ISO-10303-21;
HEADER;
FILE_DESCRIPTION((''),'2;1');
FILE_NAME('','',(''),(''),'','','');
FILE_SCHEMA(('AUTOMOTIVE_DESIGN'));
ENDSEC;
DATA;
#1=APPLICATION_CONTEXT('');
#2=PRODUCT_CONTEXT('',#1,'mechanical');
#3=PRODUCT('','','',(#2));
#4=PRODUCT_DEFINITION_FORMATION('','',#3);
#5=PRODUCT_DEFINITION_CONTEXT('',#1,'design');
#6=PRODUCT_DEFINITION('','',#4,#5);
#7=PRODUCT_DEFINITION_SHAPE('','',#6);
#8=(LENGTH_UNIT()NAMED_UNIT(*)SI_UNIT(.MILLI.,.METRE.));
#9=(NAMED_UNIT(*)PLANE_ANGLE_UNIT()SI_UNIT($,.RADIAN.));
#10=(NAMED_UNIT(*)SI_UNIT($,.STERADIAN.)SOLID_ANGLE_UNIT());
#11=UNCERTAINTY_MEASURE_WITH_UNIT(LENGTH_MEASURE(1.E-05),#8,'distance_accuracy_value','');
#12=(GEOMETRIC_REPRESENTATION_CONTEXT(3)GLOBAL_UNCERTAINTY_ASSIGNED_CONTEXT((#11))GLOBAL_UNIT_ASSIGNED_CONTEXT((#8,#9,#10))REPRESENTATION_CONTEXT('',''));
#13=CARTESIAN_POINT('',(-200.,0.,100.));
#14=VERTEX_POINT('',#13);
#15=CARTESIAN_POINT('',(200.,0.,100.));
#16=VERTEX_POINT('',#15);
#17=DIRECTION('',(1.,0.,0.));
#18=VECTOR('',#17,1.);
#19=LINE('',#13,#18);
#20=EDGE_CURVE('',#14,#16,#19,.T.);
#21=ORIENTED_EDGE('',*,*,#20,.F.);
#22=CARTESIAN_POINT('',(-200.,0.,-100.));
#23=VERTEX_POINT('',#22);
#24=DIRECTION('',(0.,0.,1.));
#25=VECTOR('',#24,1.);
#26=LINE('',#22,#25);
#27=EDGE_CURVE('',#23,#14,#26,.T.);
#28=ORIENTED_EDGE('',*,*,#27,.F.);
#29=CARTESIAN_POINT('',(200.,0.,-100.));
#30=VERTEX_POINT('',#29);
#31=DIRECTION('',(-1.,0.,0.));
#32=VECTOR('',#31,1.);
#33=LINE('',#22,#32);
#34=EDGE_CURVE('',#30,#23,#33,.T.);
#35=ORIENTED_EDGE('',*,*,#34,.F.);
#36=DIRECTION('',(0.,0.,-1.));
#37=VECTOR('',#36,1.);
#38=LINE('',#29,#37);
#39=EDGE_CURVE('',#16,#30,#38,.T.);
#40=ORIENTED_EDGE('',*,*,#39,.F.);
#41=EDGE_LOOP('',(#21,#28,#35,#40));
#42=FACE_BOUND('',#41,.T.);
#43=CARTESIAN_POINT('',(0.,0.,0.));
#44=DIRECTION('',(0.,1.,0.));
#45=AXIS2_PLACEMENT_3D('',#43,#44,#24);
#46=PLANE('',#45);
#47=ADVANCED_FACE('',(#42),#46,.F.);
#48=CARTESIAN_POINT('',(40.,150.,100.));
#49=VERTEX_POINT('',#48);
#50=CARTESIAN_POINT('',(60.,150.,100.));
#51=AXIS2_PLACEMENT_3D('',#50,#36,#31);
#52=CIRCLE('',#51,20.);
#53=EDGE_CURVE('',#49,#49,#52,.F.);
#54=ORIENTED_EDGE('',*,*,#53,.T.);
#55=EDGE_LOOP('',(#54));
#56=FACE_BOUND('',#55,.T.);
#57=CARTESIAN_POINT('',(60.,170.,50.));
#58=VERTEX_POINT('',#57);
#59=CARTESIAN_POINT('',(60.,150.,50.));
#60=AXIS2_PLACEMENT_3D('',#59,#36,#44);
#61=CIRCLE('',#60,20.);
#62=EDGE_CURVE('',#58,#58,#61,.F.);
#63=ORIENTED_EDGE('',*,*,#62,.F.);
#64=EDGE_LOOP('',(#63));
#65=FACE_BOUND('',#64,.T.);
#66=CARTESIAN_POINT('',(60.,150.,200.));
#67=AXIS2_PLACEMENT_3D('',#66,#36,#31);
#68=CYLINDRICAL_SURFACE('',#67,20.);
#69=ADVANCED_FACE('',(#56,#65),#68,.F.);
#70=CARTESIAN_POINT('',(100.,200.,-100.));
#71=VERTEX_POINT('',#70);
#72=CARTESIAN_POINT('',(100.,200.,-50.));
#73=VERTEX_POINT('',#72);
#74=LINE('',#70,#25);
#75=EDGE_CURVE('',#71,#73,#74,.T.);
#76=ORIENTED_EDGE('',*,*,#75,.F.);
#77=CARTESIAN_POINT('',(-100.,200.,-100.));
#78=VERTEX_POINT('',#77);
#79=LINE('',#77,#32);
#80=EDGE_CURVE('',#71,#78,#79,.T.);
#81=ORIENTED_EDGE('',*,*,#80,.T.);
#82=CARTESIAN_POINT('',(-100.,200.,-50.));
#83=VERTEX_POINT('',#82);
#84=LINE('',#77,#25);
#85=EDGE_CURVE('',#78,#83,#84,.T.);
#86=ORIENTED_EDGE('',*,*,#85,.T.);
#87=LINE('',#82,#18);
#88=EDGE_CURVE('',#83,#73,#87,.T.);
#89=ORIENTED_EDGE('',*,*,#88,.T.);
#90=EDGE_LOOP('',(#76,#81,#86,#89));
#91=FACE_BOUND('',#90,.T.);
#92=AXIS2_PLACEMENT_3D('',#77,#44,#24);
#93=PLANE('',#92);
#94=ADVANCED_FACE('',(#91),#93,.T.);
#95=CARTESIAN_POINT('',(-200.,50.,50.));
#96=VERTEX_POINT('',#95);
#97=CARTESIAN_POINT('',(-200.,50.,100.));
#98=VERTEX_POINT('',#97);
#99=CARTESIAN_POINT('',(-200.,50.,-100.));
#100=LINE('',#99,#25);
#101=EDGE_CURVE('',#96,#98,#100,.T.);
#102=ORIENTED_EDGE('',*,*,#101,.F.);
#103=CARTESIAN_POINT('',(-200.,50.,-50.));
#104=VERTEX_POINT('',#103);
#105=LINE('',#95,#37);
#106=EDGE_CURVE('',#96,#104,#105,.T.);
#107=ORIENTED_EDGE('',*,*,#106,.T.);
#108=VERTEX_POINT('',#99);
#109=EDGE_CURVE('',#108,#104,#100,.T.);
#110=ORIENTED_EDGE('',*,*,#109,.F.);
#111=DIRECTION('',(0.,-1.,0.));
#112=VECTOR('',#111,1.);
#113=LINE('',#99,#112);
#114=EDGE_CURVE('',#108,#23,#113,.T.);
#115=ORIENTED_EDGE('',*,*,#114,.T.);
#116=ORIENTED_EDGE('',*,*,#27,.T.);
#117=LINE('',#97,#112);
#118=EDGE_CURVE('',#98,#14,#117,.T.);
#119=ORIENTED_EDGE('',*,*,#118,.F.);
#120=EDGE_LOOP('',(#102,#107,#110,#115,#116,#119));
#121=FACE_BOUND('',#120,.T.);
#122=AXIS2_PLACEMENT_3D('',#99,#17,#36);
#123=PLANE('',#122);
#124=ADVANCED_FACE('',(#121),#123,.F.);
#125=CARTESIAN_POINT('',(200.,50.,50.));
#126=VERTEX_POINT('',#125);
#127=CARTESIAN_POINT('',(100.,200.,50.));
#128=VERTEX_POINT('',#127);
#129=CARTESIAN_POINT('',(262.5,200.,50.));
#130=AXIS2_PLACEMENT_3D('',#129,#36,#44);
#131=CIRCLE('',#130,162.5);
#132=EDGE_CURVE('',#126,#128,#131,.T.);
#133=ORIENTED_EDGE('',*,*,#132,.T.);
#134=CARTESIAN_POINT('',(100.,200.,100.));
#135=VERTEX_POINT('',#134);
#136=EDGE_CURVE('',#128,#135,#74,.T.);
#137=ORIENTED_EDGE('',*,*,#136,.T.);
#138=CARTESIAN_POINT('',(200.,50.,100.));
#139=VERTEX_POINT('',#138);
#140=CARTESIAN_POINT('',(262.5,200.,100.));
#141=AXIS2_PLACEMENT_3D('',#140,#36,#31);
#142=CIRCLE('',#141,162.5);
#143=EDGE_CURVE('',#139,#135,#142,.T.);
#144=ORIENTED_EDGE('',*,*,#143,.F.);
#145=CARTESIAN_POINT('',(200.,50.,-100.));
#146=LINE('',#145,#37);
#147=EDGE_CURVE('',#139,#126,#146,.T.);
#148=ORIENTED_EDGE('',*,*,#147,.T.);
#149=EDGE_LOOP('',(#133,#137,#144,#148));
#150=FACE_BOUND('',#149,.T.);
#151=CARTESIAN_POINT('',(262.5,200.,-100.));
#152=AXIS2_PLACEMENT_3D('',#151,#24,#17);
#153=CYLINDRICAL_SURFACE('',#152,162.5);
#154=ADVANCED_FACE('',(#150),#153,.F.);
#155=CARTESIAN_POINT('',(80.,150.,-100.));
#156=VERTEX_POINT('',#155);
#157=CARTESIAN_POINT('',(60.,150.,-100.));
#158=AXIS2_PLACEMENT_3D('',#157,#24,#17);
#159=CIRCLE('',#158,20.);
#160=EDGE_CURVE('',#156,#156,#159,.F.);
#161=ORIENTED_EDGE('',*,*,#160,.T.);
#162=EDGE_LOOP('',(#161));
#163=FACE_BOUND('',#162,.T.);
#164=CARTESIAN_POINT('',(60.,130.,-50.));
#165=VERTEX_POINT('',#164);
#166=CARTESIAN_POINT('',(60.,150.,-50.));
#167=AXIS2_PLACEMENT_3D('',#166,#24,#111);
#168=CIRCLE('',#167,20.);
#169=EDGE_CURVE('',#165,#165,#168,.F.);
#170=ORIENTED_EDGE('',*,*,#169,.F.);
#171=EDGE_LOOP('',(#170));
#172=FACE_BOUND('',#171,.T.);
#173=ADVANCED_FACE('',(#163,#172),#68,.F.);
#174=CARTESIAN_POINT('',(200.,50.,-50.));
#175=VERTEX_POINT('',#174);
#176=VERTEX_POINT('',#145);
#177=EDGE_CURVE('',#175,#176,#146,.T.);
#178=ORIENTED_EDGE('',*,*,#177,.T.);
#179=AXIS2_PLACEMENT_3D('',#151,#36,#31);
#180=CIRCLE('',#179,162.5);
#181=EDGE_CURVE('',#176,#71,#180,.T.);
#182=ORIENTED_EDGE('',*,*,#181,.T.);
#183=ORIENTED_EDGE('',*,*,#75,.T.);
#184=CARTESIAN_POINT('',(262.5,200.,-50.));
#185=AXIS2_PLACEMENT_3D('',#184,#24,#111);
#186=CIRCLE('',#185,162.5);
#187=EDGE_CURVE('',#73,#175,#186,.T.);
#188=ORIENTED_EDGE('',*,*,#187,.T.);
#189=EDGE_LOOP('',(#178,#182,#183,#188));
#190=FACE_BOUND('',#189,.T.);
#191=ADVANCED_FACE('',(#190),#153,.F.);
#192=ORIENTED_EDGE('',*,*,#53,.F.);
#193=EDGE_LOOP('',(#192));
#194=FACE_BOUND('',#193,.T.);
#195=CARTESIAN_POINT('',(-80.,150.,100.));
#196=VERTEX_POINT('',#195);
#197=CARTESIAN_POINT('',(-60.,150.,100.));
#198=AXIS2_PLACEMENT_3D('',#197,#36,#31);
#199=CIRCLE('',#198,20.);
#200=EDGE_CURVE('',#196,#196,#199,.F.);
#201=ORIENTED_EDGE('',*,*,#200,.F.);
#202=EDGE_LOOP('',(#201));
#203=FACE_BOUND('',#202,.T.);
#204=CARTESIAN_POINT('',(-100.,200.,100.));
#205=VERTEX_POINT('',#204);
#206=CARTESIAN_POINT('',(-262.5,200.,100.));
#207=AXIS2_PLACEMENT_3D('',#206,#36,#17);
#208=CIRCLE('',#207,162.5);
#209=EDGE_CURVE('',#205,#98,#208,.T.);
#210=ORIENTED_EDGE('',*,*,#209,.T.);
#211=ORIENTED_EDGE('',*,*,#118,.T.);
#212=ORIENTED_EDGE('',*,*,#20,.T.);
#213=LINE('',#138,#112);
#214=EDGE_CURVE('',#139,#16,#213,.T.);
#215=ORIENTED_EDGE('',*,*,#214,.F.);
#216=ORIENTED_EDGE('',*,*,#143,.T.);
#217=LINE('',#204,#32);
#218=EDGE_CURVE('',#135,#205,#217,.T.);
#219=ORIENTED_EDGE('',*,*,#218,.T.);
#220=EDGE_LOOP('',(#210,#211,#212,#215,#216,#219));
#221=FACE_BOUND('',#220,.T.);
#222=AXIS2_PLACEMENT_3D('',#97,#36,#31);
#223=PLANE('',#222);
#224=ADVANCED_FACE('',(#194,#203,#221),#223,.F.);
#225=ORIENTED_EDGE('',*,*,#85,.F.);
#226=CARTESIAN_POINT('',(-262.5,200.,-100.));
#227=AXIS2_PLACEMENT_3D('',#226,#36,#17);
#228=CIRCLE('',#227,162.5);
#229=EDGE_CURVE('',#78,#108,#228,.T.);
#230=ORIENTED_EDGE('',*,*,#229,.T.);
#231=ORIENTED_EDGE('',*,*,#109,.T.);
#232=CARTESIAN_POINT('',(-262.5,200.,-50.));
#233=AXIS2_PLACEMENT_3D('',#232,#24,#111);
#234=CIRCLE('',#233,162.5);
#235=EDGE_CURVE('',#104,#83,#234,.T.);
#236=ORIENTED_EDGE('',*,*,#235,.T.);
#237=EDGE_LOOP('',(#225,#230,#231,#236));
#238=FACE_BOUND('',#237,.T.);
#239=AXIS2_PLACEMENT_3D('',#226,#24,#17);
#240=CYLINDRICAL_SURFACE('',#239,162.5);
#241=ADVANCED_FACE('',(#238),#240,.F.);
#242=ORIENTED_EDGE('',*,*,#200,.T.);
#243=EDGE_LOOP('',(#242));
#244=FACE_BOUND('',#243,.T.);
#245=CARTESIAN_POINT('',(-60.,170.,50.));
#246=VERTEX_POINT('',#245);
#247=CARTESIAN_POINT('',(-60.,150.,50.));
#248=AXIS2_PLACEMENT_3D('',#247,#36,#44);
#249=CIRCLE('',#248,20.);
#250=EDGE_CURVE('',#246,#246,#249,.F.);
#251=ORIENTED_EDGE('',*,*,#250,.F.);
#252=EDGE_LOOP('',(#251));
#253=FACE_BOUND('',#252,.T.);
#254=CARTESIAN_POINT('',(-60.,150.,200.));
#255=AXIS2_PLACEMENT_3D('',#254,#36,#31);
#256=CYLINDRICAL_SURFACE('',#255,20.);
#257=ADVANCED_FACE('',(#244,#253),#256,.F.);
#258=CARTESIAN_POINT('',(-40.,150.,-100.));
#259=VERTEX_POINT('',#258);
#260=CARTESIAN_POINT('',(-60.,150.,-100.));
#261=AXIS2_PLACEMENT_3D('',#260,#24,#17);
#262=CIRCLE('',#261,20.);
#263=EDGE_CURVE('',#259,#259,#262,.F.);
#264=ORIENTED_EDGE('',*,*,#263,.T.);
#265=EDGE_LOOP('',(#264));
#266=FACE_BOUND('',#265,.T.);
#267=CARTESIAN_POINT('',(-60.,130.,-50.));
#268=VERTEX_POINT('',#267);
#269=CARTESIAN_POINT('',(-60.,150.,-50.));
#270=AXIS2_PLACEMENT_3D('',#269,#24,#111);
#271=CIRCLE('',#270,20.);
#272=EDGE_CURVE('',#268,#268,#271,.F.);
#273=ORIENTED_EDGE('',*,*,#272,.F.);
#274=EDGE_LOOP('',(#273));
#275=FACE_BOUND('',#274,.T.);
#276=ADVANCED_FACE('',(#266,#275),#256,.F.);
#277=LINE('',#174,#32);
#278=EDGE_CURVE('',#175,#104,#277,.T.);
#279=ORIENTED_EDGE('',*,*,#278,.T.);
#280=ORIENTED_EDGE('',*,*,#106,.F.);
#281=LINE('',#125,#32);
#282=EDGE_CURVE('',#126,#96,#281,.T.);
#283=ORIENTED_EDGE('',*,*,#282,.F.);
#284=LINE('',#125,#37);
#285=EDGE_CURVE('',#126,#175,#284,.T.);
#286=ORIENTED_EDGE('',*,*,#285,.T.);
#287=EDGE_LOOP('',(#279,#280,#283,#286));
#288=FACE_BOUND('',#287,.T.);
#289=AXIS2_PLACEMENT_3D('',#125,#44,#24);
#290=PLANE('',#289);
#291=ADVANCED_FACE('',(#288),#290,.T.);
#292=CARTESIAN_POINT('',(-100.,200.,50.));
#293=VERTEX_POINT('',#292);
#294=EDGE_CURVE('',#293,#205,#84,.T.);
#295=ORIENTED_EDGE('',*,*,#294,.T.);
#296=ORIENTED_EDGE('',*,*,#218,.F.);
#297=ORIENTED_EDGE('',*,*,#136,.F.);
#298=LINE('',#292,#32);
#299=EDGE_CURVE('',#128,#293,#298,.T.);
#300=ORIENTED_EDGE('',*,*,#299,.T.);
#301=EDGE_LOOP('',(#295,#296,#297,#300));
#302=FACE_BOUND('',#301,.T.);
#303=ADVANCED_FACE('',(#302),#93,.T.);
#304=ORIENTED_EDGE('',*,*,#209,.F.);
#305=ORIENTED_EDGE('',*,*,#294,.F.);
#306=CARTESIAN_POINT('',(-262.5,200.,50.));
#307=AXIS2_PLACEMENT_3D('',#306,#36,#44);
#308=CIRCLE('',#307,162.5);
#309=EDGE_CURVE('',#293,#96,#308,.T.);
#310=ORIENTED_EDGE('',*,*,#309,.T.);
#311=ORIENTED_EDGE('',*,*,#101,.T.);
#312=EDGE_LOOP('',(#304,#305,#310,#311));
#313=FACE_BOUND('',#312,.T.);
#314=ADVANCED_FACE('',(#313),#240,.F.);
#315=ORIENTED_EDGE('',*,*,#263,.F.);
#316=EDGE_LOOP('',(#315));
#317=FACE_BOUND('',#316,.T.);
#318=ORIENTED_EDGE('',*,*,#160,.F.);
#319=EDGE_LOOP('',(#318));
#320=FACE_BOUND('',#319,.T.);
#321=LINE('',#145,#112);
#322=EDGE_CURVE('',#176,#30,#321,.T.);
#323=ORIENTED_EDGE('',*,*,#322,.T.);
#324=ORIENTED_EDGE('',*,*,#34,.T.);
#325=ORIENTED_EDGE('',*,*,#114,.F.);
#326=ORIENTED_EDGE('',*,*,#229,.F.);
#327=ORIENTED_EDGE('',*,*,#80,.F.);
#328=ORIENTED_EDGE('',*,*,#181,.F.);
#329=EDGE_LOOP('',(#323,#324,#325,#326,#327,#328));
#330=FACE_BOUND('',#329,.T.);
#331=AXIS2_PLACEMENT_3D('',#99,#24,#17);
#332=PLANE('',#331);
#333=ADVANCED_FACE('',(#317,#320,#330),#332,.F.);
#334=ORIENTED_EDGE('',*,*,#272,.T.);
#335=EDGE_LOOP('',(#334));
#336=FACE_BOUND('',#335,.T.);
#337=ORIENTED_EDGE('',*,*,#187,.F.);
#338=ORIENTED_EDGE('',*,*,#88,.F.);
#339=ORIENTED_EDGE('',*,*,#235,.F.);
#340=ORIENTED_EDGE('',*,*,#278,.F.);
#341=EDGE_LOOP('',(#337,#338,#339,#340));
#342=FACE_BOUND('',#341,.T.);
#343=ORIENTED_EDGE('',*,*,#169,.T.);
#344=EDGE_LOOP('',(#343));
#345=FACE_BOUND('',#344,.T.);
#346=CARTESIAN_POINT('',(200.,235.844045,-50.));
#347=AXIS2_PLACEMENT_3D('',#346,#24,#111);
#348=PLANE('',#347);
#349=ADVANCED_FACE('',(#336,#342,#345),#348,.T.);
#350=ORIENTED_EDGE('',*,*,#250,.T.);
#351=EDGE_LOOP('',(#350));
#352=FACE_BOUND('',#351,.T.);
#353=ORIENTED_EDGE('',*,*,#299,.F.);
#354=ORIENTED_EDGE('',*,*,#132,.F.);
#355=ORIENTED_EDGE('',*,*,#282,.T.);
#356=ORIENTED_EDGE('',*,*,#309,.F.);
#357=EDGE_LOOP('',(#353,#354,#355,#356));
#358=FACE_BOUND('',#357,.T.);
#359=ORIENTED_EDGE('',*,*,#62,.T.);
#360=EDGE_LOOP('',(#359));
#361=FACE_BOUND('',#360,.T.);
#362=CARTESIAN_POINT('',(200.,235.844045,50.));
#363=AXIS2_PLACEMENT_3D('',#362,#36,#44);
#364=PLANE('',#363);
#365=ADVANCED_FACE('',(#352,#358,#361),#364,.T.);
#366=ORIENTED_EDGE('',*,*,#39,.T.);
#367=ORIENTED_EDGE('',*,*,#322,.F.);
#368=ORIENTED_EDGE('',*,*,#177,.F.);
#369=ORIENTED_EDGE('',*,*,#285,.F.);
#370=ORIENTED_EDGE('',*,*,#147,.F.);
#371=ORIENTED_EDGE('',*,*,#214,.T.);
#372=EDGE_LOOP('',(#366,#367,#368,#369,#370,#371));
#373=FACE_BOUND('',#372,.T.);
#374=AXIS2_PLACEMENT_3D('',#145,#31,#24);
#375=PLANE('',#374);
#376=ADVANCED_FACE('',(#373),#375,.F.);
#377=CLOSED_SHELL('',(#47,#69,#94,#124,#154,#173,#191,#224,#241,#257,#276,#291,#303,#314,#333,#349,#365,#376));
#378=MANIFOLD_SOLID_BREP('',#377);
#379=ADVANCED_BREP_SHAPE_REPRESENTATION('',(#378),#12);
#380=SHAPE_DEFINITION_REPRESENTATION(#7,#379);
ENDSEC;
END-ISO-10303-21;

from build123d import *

# Parameters (mm, degrees)
SKETCH1_W                = 400
SKETCH1_H                = 200
BOSS_EXTRUDE1_DEPTH      = 50
BOSS_EXTRUDE2_DEPTH      = 100
BOSS_EXTRUDE2_DEPTH_BACK = 100
CUT_EXTRUDE1_DEPTH       = 200
CUT_EXTRUDE1_DEPTH_BACK  = 200
SKETCH3_W                = 100
SKETCH3_H                = 185.844044806
CUT_EXTRUDE2_DEPTH       = 200
CUT_EXTRUDE2_DEPTH_BACK  = 200
SKETCH4_R                = 20


with BuildPart() as part:
    # Sketch1 → Boss-Extrude1 (new body)
    with BuildSketch(Plane(origin=(0, 0, 0), x_dir=(1, 0, 0), z_dir=(0, 1, 0))):
        Rectangle(SKETCH1_W, SKETCH1_H)
    extrude(amount=BOSS_EXTRUDE1_DEPTH)

    # Sketch2 → Boss-Extrude2 (add, two sides: drawn at the far end of the back side and taken through both)
    with BuildSketch(Plane.XY.offset(-BOSS_EXTRUDE2_DEPTH_BACK)):
        with BuildLine():
            Line((-100, 50), (100, 50))
            Line((100, 50), (200, 50))
            ThreePointArc((200, 50), (127.29182717, 109.861218113), (100, 200))
            Line((100, 200), (-100, 200))
            ThreePointArc((-100, 200), (-127.29182717, 109.861218113), (-200, 50))
            Line((-200, 50), (-100, 50))
        make_face()
    extrude(amount=BOSS_EXTRUDE2_DEPTH + BOSS_EXTRUDE2_DEPTH_BACK)

    # Sketch3 → Cut-Extrude1 (cut, two sides: drawn at the far end of the back side and taken through both)
    with BuildSketch(Plane(origin=(0, 0, 0), x_dir=(0, 0, -1), z_dir=(1, 0, 0)).offset(-CUT_EXTRUDE1_DEPTH_BACK)):
        with Locations((0, 142.922022403)):
            Rectangle(SKETCH3_W, SKETCH3_H)
    extrude(amount=CUT_EXTRUDE1_DEPTH + CUT_EXTRUDE1_DEPTH_BACK, mode=Mode.SUBTRACT)

    # Sketch4 → Cut-Extrude2 (cut, two sides: drawn at the far end of the back side and taken through both)
    with BuildSketch(Plane.XY.offset(-CUT_EXTRUDE2_DEPTH_BACK)):
        with Locations(Location((-60, 150, 0), (0, 0, 270))):
            Circle(SKETCH4_R)
        with Locations(Location((60, 150, 0), (0, 0, 270))):
            Circle(SKETCH4_R)
    extrude(amount=CUT_EXTRUDE2_DEPTH + CUT_EXTRUDE2_DEPTH_BACK, mode=Mode.SUBTRACT)


solid = part.part
